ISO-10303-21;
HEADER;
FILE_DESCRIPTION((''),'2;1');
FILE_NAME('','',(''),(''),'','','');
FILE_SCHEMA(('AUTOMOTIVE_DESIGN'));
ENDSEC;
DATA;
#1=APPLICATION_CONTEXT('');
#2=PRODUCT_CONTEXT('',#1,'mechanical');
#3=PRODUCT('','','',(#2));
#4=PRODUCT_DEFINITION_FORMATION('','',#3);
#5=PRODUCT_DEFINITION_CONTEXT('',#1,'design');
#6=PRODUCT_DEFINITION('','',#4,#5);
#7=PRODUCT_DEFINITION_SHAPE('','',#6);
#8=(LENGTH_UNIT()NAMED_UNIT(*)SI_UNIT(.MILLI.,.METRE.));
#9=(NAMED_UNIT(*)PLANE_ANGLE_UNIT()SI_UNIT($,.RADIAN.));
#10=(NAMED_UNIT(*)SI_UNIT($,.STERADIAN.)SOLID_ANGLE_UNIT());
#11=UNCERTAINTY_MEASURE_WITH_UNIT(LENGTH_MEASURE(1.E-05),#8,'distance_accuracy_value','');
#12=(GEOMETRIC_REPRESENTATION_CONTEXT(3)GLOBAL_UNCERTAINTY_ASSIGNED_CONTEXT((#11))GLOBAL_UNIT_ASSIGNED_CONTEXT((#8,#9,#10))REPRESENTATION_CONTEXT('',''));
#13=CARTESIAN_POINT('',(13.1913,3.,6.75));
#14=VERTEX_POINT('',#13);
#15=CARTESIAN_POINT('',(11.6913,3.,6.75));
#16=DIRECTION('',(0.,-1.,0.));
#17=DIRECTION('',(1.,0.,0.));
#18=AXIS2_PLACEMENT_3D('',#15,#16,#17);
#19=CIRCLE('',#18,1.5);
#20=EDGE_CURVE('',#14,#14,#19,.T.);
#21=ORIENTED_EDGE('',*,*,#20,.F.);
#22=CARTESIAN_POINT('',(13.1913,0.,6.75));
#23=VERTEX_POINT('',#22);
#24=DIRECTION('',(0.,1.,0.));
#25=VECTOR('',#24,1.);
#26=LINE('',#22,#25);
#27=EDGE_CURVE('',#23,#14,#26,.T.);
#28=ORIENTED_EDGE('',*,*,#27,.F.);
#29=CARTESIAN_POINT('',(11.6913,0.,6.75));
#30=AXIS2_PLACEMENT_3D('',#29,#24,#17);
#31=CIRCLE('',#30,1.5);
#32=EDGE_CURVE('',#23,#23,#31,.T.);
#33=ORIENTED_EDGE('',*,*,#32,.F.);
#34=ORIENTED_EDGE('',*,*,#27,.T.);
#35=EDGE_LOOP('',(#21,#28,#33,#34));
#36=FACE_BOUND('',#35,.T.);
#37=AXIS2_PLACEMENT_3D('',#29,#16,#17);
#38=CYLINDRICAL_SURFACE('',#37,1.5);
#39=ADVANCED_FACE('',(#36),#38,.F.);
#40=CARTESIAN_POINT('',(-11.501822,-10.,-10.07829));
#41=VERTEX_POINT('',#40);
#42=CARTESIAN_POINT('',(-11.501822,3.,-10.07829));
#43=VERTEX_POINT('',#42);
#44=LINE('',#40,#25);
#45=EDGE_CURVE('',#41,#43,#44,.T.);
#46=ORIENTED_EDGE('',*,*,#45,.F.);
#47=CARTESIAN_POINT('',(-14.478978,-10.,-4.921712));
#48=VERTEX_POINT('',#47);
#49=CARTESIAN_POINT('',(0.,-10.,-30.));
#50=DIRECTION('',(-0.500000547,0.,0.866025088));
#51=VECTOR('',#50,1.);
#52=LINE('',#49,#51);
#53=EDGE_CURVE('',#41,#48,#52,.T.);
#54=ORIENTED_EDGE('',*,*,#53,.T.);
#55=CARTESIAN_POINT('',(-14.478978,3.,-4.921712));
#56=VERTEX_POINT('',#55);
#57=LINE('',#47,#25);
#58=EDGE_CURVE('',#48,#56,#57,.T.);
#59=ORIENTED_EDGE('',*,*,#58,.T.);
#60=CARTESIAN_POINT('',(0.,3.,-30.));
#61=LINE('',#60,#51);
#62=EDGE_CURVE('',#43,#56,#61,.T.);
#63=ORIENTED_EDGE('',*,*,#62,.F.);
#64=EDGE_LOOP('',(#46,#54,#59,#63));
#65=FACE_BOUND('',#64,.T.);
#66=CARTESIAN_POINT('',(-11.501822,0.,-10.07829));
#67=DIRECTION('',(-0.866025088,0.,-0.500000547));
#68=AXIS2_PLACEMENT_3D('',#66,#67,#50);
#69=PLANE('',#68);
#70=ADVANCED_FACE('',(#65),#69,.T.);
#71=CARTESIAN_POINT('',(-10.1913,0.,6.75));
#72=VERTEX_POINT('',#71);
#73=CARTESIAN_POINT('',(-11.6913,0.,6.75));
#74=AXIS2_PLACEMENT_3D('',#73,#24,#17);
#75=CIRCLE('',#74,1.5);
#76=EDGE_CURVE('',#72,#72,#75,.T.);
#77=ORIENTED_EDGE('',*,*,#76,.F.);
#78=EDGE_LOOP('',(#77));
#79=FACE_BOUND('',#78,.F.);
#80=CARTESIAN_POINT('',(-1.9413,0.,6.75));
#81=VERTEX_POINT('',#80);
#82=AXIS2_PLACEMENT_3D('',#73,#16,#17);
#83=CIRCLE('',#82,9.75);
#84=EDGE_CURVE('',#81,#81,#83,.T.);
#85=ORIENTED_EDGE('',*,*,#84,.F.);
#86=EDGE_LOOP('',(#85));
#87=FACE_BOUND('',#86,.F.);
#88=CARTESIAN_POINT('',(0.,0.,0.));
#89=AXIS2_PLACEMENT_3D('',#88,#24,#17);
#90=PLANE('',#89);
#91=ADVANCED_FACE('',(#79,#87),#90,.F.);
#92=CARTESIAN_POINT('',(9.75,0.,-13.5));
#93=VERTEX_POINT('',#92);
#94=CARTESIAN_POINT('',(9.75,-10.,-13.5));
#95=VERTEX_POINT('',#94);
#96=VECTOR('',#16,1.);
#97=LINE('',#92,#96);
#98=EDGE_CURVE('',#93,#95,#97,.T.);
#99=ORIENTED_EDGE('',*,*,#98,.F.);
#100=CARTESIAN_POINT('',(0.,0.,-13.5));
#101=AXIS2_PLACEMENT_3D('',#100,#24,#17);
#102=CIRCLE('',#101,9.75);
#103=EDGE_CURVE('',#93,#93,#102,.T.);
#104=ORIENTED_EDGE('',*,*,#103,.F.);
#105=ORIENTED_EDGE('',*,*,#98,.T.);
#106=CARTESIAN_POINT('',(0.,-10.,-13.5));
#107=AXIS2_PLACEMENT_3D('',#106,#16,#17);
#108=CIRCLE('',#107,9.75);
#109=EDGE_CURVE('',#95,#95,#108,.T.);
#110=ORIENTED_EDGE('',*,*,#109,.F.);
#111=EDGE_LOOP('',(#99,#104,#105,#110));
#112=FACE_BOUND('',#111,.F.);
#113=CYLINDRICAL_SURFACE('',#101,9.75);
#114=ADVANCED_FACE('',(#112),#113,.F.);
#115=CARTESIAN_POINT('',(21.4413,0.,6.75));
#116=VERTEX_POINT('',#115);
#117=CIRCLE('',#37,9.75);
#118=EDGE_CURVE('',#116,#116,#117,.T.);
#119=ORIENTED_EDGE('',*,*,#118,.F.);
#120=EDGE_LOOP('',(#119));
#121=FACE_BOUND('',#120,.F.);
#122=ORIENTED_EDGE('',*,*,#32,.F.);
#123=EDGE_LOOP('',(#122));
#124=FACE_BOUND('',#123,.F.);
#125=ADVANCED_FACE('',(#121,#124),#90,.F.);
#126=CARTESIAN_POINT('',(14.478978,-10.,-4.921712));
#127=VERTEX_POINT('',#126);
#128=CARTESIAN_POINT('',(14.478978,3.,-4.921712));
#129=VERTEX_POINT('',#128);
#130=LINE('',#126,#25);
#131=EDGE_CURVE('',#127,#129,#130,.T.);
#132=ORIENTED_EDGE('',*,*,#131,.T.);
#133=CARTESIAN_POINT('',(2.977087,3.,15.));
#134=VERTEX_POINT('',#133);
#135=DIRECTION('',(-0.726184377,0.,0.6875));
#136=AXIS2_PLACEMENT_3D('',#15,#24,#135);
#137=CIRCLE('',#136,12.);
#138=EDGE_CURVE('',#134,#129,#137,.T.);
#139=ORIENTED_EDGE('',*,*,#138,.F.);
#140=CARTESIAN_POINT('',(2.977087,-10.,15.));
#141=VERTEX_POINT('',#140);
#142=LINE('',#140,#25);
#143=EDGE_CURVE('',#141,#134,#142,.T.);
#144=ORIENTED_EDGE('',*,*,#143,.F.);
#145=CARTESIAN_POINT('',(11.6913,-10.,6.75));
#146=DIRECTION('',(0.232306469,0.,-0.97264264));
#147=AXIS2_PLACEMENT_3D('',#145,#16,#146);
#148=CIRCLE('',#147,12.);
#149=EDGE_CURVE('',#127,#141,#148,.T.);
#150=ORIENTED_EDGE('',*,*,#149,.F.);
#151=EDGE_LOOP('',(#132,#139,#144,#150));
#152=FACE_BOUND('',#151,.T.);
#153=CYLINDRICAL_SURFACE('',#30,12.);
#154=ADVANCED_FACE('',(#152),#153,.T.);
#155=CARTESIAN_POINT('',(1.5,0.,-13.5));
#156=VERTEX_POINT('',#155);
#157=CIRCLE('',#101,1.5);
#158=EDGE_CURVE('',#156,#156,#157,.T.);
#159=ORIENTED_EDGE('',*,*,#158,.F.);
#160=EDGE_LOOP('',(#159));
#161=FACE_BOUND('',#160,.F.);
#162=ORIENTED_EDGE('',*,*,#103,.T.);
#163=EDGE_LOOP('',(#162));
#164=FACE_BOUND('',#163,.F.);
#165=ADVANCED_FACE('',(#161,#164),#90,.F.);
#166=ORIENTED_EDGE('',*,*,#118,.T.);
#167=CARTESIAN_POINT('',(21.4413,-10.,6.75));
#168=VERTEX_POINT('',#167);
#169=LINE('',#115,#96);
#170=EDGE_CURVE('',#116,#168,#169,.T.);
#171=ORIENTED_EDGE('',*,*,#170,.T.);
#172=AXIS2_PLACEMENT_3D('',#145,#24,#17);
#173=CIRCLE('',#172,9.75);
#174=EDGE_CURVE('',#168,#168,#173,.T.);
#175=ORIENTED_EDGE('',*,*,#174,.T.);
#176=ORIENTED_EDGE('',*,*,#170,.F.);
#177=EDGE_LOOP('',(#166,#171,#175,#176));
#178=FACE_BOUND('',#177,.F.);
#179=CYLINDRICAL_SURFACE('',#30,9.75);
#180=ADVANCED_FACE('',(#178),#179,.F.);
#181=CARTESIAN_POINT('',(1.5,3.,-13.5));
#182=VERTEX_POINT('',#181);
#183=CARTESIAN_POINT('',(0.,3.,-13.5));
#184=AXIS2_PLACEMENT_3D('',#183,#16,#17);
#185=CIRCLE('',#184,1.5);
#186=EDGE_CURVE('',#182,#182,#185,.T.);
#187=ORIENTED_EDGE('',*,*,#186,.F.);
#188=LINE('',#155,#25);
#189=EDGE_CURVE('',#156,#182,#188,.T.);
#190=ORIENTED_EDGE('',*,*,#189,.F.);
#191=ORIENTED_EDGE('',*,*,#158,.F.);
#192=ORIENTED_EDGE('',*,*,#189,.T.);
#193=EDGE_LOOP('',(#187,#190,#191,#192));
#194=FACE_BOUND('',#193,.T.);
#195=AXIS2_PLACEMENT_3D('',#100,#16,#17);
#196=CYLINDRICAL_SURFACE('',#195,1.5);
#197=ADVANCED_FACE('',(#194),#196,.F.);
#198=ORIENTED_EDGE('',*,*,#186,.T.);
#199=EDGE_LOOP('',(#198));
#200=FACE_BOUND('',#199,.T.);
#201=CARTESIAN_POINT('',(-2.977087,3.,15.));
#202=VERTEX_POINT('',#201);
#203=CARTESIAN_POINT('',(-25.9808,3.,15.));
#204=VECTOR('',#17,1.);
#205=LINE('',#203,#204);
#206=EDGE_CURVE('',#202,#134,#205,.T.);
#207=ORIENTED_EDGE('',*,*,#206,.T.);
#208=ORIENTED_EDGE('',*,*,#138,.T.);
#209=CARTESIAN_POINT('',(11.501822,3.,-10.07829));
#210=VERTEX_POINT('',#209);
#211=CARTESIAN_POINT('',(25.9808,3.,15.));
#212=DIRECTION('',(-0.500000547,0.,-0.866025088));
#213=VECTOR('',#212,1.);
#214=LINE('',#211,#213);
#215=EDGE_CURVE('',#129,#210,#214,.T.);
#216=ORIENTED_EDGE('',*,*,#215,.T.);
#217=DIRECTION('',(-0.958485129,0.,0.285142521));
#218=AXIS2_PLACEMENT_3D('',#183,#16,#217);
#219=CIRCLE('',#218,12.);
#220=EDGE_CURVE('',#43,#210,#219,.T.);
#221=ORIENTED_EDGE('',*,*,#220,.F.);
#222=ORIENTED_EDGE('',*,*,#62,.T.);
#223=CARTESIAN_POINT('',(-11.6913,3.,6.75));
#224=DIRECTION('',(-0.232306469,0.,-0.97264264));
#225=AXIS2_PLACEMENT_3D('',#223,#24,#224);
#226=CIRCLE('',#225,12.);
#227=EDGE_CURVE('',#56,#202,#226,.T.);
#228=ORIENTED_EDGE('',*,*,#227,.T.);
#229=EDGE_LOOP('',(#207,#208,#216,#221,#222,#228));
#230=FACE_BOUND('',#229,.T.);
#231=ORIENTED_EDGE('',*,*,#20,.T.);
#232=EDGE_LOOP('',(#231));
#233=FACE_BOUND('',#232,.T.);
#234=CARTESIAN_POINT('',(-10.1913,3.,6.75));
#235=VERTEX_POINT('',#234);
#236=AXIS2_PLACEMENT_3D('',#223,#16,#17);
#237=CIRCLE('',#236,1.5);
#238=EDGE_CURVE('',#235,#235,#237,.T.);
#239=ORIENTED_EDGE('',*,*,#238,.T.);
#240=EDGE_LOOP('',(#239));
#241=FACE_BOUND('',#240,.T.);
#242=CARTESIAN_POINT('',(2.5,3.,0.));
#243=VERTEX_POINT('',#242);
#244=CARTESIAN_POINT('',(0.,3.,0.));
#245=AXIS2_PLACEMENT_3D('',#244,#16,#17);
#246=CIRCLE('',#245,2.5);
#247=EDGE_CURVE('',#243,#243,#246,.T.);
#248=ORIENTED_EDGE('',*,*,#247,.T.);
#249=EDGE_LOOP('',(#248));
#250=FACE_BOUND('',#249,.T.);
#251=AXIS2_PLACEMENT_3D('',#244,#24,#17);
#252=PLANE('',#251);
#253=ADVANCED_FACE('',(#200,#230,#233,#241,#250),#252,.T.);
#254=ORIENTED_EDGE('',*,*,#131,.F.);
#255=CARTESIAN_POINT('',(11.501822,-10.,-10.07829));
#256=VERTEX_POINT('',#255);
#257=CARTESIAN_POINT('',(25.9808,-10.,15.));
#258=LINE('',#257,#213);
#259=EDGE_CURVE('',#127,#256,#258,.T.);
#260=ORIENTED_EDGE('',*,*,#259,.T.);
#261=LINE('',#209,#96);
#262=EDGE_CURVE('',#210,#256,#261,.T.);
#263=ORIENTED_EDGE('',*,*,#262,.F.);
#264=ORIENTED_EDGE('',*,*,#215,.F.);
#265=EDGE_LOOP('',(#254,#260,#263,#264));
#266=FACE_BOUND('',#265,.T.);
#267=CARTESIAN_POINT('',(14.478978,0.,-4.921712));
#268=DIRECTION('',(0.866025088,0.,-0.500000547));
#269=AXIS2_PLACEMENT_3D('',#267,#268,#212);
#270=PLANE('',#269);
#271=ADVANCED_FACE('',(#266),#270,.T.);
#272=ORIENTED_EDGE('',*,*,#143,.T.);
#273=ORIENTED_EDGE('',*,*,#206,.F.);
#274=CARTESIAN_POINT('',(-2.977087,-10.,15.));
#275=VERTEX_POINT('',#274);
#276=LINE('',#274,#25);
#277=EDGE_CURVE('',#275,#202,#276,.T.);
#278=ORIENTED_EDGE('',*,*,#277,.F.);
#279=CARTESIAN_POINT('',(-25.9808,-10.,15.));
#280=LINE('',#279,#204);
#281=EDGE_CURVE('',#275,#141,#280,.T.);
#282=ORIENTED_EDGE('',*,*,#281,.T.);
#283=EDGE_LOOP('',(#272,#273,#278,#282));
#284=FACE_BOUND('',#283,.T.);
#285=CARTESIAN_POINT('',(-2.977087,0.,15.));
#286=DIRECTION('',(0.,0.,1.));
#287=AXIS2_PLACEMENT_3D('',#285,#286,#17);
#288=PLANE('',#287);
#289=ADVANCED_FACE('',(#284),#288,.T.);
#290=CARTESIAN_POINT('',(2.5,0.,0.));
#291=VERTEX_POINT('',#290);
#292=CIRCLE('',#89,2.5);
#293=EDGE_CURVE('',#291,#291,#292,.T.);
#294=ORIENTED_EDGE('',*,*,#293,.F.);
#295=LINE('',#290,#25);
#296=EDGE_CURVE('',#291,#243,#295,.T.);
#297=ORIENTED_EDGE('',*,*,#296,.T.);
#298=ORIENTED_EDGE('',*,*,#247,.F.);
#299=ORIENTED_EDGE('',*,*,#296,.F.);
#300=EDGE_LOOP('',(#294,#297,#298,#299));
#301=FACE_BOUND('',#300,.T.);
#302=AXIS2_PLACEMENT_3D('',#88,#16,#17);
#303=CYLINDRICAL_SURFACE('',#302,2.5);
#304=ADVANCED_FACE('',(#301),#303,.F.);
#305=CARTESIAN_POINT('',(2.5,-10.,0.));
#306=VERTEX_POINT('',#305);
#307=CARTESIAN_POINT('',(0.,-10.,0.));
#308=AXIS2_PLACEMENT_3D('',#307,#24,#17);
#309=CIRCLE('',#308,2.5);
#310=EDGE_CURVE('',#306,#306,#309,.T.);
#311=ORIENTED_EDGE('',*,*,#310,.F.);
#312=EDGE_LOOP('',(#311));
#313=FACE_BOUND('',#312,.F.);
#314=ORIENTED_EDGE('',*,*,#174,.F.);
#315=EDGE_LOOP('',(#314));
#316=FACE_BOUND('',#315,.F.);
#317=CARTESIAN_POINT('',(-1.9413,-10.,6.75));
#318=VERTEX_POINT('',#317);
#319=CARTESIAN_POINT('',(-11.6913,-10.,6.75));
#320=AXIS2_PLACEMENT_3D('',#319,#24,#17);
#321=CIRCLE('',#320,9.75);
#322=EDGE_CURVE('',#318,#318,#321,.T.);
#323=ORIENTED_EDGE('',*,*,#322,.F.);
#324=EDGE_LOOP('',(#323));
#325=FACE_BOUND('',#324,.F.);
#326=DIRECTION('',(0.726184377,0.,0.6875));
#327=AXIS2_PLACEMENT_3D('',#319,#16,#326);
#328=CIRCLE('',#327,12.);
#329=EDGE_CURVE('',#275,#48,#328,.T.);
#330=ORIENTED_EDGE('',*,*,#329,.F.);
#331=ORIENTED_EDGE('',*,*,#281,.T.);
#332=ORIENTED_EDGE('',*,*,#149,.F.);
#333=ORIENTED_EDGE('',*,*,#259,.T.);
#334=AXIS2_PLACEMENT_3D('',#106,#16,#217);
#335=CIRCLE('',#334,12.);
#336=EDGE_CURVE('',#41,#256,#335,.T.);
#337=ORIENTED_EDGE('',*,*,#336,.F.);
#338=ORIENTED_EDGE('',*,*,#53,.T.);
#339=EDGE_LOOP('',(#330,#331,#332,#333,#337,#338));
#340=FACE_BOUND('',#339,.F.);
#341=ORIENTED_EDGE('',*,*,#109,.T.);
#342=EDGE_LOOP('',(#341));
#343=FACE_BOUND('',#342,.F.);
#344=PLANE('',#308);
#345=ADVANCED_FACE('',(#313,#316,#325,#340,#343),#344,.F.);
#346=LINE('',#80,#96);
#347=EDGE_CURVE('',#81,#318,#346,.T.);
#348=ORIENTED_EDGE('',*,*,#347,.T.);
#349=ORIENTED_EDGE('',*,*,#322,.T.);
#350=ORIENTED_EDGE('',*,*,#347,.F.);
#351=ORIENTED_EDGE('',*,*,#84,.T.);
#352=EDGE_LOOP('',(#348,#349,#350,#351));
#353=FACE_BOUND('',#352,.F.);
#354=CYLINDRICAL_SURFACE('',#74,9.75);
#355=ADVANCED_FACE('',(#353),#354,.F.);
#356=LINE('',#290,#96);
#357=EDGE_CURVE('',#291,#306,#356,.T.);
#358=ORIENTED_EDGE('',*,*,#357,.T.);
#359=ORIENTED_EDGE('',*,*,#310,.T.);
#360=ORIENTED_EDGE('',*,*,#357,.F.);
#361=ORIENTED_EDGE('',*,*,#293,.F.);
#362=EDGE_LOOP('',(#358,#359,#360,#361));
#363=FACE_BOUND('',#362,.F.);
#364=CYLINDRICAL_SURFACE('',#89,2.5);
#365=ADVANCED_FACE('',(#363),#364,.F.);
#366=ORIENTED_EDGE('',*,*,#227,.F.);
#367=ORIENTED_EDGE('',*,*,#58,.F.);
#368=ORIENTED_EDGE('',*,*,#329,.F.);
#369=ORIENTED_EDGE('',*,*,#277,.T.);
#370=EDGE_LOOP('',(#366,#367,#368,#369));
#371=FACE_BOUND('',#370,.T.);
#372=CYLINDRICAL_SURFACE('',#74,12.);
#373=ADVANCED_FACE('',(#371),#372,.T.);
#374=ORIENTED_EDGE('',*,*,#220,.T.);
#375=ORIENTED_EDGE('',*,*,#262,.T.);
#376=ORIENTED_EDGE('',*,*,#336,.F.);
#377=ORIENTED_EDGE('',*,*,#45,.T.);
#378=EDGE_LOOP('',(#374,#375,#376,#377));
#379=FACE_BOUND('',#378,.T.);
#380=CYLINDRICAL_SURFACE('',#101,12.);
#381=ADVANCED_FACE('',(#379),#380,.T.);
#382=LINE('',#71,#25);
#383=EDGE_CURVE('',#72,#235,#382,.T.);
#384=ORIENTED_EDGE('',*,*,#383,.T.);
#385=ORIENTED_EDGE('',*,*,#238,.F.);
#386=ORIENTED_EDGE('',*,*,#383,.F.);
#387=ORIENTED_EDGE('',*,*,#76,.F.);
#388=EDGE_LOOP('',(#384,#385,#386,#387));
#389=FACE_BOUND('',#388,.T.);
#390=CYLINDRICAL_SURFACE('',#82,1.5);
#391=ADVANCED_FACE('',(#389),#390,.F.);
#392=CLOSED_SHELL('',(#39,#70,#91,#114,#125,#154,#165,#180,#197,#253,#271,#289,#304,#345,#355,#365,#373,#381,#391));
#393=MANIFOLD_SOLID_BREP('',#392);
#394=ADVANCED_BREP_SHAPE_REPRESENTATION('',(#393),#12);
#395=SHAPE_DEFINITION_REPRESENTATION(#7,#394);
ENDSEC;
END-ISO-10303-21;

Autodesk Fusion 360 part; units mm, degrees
sketch "Sketch1" plane through (0, 0, 0) normal (0, 1, 0) x (1, 0, 0)
  circle A0 centre (0, 13.5) radius 9.75
  circle A1 centre (-11.6913, -6.75) radius 9.75
  circle A2 centre (11.6913, -6.75) radius 9.75
  line L0 (25.9808, -15) -> (0, 30)
  line L1 (0, 30) -> (-25.9808, -15)
  line L2 (-25.9808, -15) -> (25.9808, -15)
  circle A3 centre (0, 13.5) radius 12
  circle A4 centre (-11.6913, -6.75) radius 12
  circle A5 centre (11.6913, -6.75) radius 12
  circle A6 centre (0, 0) radius 2.5
  circle A7 centre (-11.6913, -6.75) radius 1.5
  circle A8 centre (11.6913, -6.75) radius 1.5
  circle A9 centre (0, 13.5) radius 1.5
  dimension "d1" = 19.5
  dimension "d2" = 13.5
  dimension "d4" = 360
  dimension "d5" = 30
  dimension "d6" = 24
  dimension "d8" = 360
  dimension "d9" = 5
  dimension "d14" = 3
  dimension "d16" = 360
extrude "Extrude1" add sketch "Sketch1" along normal blind 3 contours A0 L0 | A0 L0 A3 | A0 L0 L1 | A0 L0 L1 A3 | A0 L0 L1 A3 A4 A5 A6 | A0 L1 | A0 L1 A3 | L0 A3 A5 | L1 A3 A4 | A2 L0 A5 | A2 L0 L2 A3 A4 A5 A6 | A3 A5 | A1 L1 L2 A3 A4 A5 A6 | A1 L1 A4 | A3 A4 | A2 L0 L2 | A2 L0 | A3 A5 A6 | A1 L1 | A1 L1 L2 | A1 L1 L2 A4 | A3 A4 A6 | A2 L2 | A2 L2 A5 | A2 L0 L2 A5 | A1 L2 A4 | L2 A4 A5 | A4 A5 A6 | A1 L2 | A4 A5 | A7 | A8 | A9
extrude "Extrude2" add sketch "Sketch1" against normal blind 10 contours A0 L0 A3 | A0 L0 L1 A3 | A0 L0 L1 A3 A4 A5 A6 | A0 L1 A3 | L0 A3 A5 | L1 A3 A4 | A2 L0 A5 | A2 L0 L2 A3 A4 A5 A6 | A3 A5 | A1 L1 L2 A3 A4 A5 A6 | A1 L1 A4 | A3 A4 | A3 A5 A6 | A1 L1 L2 A4 | A3 A4 A6 | A2 L2 A5 | A2 L0 L2 A5 | A1 L2 A4 | L2 A4 A5 | A4 A5 A6 | A4 A5
extrude "Extrude3" cut sketch "Sketch1" along normal through all contours A7 | A8 | A9
